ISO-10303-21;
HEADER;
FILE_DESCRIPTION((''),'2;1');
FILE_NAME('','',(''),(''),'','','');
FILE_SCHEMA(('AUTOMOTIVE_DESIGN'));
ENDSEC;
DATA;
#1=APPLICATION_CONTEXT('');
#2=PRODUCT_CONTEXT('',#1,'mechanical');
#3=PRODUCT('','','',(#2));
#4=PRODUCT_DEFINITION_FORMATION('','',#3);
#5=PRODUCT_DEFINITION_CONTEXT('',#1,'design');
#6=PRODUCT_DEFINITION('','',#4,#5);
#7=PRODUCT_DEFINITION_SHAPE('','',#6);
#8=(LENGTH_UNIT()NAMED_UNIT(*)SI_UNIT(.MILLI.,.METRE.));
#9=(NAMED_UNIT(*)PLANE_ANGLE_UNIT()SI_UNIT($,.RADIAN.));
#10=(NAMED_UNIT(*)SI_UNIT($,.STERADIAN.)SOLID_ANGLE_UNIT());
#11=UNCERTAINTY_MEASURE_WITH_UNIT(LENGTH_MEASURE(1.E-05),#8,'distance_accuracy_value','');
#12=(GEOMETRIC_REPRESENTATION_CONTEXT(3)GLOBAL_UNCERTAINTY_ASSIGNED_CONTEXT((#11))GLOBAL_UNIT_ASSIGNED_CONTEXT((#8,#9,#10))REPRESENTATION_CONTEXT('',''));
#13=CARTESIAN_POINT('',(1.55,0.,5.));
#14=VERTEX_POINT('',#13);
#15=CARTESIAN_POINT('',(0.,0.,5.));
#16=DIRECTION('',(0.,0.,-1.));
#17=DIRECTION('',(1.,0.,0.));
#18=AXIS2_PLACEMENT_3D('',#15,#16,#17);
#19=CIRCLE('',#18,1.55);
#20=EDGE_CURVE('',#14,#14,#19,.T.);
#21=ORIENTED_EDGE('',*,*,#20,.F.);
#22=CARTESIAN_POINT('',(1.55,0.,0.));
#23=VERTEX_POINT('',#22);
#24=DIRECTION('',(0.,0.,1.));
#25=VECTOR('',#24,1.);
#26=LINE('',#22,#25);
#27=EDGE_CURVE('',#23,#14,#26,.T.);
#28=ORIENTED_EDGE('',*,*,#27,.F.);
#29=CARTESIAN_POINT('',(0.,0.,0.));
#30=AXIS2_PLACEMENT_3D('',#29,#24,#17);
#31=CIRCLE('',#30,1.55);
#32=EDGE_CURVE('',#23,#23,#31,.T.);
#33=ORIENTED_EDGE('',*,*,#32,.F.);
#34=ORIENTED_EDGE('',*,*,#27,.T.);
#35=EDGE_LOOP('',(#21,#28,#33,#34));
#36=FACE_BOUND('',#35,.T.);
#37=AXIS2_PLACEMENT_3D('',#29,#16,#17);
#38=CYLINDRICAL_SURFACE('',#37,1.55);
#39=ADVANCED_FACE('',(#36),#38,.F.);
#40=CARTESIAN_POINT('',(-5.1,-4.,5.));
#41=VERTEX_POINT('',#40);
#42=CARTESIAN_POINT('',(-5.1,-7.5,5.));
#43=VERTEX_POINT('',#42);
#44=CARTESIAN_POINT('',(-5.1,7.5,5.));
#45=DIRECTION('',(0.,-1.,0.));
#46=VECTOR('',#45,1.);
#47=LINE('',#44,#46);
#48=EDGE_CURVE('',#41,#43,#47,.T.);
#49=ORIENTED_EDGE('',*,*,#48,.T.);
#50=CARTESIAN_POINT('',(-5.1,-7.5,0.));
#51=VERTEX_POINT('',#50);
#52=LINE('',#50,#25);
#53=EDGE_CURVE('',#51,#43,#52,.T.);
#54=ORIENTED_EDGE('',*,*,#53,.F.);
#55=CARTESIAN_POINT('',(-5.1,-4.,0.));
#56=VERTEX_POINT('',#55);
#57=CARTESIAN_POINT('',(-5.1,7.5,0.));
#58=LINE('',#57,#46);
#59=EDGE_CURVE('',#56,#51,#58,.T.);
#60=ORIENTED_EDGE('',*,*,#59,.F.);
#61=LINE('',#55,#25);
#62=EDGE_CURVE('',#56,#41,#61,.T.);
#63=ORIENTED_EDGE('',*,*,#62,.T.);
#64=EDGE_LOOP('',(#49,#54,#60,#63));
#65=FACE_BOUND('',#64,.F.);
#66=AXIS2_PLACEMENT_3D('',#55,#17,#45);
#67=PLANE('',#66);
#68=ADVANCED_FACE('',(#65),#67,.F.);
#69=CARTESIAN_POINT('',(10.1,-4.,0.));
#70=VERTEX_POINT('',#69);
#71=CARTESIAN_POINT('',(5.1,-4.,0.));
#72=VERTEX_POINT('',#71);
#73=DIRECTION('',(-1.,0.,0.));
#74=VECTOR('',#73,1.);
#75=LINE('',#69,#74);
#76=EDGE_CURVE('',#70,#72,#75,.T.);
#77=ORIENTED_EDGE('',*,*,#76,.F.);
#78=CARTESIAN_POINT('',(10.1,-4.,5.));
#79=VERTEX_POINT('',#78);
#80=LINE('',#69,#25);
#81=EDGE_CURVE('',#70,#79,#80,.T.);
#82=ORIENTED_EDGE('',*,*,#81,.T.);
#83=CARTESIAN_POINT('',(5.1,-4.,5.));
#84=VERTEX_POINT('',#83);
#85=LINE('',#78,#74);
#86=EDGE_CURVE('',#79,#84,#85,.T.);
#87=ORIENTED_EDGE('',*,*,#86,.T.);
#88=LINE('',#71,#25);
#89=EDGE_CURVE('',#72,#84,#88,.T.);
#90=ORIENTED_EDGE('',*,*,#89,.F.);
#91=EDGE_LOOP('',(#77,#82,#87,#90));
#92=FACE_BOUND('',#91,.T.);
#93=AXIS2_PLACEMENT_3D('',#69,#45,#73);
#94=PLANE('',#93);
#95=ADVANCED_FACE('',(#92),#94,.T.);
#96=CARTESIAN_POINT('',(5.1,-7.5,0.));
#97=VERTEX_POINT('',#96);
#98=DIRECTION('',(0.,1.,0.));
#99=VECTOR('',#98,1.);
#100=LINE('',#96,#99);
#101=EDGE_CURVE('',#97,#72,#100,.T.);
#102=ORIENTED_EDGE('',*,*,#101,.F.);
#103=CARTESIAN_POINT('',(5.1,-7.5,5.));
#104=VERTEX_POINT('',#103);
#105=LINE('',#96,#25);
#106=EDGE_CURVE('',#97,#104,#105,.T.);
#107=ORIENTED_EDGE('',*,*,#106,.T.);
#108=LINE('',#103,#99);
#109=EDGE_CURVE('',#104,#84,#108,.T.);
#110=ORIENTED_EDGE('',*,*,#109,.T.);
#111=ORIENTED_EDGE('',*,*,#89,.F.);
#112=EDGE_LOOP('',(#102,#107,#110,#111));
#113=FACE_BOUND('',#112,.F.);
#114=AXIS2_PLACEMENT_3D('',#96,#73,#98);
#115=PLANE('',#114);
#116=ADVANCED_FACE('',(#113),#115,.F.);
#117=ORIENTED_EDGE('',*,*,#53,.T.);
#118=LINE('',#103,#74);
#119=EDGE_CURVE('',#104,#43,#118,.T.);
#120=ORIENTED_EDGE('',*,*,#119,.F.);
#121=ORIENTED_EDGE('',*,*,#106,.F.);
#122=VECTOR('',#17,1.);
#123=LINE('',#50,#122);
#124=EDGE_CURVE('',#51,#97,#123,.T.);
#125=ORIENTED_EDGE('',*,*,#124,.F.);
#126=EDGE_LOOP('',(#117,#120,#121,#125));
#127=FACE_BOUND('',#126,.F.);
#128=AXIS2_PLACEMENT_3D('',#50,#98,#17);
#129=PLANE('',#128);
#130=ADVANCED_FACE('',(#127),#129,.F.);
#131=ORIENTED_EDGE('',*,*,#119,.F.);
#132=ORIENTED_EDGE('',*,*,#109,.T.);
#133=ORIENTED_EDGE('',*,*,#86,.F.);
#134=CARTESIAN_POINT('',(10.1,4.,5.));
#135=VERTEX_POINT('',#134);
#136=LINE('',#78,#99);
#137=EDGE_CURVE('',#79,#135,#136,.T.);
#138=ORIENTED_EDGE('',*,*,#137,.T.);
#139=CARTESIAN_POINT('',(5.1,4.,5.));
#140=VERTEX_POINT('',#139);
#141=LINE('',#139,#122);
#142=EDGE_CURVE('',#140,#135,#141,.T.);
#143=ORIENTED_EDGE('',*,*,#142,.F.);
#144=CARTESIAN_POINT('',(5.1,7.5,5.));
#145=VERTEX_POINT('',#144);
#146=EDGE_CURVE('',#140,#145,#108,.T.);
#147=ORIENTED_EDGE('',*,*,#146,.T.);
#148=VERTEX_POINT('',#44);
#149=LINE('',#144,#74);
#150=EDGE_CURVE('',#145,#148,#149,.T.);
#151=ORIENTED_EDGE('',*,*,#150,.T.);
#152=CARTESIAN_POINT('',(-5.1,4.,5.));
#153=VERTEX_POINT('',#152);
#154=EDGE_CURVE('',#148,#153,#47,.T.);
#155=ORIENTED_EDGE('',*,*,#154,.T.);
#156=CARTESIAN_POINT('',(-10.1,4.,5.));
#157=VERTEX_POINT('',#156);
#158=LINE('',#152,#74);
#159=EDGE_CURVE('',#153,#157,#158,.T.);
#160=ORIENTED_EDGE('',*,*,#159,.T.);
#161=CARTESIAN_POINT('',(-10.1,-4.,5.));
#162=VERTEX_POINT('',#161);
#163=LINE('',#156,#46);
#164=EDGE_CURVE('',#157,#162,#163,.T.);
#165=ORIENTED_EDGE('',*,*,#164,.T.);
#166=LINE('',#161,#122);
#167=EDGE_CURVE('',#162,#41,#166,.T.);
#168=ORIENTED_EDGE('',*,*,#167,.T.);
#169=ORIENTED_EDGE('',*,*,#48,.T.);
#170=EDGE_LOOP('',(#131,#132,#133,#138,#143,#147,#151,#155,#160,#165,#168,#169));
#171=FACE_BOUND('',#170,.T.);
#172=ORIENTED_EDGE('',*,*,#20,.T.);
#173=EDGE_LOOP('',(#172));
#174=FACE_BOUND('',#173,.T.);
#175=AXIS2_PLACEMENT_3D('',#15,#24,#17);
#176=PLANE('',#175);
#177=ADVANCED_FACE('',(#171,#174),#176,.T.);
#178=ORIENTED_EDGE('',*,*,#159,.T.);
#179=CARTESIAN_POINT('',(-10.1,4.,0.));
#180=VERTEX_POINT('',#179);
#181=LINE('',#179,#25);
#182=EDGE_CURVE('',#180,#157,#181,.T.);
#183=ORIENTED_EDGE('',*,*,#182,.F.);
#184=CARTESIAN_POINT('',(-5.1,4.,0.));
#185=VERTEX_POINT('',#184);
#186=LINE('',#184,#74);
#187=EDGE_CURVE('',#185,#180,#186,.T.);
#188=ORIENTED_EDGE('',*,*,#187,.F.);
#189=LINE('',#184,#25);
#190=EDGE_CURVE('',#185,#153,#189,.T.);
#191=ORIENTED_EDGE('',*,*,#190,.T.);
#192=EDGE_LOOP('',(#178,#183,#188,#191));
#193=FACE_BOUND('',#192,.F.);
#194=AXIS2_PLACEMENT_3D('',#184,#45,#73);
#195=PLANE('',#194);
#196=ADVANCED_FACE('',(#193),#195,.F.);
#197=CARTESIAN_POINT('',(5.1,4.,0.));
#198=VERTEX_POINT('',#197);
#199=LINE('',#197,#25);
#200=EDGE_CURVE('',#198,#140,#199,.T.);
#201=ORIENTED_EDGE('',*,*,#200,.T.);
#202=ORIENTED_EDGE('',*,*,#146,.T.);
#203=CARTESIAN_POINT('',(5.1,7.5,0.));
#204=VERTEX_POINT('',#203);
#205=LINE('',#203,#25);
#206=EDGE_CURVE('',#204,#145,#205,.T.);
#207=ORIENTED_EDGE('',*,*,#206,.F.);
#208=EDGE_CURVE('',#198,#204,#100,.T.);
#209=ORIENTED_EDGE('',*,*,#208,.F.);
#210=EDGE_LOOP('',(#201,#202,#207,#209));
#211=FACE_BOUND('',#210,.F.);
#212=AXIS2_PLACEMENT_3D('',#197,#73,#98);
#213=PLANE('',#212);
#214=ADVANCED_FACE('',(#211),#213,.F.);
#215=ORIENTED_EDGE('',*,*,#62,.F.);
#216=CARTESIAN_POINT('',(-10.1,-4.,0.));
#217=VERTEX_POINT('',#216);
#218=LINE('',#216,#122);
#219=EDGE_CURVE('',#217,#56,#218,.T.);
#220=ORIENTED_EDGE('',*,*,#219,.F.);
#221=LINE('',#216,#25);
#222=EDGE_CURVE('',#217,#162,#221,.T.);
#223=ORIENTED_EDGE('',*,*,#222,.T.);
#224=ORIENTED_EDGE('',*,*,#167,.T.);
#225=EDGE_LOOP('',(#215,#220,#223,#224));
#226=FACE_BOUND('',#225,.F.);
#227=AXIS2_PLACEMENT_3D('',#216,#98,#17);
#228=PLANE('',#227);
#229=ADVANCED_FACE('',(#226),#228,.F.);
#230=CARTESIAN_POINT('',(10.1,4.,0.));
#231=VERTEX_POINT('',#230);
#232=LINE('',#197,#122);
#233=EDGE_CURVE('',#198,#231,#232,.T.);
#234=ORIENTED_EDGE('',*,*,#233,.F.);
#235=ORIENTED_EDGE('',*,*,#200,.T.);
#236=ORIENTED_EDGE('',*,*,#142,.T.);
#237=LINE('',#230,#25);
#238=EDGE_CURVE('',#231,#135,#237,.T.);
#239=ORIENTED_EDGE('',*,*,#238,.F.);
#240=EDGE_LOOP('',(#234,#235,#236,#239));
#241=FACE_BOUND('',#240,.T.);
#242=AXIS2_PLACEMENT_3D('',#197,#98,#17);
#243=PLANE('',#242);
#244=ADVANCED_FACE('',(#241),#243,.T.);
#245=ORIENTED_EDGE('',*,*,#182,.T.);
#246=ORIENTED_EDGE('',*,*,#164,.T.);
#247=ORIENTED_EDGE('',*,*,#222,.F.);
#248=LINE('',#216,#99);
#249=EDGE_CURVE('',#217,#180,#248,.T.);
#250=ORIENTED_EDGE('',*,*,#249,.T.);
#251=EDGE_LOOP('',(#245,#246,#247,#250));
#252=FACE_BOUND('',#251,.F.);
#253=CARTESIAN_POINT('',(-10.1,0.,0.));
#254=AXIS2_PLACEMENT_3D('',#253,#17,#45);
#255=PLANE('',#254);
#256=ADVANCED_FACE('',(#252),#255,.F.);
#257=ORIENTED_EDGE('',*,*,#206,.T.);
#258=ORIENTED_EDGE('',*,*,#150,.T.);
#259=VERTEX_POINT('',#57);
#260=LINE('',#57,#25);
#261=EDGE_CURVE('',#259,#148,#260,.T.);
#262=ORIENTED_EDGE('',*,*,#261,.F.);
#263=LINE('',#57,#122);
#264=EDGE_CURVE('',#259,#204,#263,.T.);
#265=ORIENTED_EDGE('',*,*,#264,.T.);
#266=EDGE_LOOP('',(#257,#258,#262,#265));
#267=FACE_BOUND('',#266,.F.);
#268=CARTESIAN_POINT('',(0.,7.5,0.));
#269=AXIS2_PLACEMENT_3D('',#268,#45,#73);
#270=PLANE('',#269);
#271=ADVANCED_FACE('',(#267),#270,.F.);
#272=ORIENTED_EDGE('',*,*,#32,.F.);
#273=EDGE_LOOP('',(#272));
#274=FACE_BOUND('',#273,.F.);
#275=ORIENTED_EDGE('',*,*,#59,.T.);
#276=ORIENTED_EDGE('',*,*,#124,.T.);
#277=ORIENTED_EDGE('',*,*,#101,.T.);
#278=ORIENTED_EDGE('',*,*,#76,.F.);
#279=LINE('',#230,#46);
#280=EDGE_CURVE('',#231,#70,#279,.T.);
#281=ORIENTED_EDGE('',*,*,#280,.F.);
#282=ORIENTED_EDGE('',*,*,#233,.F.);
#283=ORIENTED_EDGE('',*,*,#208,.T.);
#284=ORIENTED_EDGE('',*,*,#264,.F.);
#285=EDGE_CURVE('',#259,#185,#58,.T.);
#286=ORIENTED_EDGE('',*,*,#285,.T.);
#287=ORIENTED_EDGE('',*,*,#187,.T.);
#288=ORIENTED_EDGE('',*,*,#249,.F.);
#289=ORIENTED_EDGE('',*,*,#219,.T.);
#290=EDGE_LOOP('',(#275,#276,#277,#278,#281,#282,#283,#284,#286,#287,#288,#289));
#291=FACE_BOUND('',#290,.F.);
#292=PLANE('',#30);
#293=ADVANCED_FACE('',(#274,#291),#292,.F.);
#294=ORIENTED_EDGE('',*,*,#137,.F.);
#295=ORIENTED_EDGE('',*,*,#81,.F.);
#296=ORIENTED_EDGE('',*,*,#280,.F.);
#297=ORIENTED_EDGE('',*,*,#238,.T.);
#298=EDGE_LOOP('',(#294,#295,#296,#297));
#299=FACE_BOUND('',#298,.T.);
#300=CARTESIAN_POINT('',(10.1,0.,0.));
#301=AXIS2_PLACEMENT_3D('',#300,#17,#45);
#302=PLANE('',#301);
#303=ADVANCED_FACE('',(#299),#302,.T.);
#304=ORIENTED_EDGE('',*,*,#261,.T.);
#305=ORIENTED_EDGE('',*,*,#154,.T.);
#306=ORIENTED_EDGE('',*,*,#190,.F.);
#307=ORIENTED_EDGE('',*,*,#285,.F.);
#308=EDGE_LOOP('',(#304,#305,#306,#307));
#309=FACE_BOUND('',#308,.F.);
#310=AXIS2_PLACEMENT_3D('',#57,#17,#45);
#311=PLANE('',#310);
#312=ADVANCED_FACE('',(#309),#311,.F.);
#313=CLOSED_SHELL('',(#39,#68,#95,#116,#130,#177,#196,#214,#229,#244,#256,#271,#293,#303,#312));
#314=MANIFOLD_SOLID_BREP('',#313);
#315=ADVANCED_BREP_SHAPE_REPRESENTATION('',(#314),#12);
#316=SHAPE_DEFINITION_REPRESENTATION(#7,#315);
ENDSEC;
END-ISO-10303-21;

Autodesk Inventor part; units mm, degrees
ref_plane "YZ Plane" through (0, 0, 0) normal (1, 0, 0) x (0, 1, 0)
ref_plane "XZ Plane" through (0, 0, 0) normal (0, 1, 0) x (-1, 0, 0)
ref_plane "XY Plane" through (0, 0, 0) normal (0, 0, 1) x (1, 0, 0)
sketch "Skizze1" plane through (0, 0, 0) normal (0, 0, 1) x (1, 0, 0)
  line L0 (0, -10.5) -> (0, 10.5) projected
  line L1 (-14.14, 0) -> (14.14, 0) projected
  line L2 (-5.1, -7.5) -> (5.1, -7.5)
  line L3 (5.1, -7.5) -> (5.1, 7.5)
  line L4 (5.1, 7.5) -> (-5.1, 7.5)
  line L5 (-5.1, 7.5) -> (-5.1, -7.5)
  line L6 (-5.1, 4) -> (-10.1, 4)
  line L7 (-10.1, 4) -> (-10.1, -4)
  line L8 (-10.1, -4) -> (-5.1, -4)
  line L9 (-5.1, -4) -> (-5.1, 4)
  line L10 (5.1, 4) -> (10.1, 4)
  line L11 (10.1, 4) -> (10.1, -4)
  line L12 (10.1, -4) -> (5.1, -4)
  line L13 (5.1, -4) -> (5.1, 4)
  circle A0 centre (0, 0) radius 1.55
  dimension "d0" = 10.2
  dimension "d1" = 15
  dimension "d2" = 5
  dimension "d3" = 8
  dimension "d4" = 3.1
extrude "Extrusion1" add sketch "Skizze1" along normal blind 5 contours L2 L5 L1 A0 L0 | L0 A0 L1 L3 L2 | L1 L5 L4 L0 A0 | A0 L0 L4 L3 L1 | L8 L7 L1 L5 | L3 L1 L11 L12 | L1 L7 L6 L5 | L3 L10 L11 L1
properties part number "Kugellager-Schieber-Druckplatte" material "ABS-Kunststoff"
